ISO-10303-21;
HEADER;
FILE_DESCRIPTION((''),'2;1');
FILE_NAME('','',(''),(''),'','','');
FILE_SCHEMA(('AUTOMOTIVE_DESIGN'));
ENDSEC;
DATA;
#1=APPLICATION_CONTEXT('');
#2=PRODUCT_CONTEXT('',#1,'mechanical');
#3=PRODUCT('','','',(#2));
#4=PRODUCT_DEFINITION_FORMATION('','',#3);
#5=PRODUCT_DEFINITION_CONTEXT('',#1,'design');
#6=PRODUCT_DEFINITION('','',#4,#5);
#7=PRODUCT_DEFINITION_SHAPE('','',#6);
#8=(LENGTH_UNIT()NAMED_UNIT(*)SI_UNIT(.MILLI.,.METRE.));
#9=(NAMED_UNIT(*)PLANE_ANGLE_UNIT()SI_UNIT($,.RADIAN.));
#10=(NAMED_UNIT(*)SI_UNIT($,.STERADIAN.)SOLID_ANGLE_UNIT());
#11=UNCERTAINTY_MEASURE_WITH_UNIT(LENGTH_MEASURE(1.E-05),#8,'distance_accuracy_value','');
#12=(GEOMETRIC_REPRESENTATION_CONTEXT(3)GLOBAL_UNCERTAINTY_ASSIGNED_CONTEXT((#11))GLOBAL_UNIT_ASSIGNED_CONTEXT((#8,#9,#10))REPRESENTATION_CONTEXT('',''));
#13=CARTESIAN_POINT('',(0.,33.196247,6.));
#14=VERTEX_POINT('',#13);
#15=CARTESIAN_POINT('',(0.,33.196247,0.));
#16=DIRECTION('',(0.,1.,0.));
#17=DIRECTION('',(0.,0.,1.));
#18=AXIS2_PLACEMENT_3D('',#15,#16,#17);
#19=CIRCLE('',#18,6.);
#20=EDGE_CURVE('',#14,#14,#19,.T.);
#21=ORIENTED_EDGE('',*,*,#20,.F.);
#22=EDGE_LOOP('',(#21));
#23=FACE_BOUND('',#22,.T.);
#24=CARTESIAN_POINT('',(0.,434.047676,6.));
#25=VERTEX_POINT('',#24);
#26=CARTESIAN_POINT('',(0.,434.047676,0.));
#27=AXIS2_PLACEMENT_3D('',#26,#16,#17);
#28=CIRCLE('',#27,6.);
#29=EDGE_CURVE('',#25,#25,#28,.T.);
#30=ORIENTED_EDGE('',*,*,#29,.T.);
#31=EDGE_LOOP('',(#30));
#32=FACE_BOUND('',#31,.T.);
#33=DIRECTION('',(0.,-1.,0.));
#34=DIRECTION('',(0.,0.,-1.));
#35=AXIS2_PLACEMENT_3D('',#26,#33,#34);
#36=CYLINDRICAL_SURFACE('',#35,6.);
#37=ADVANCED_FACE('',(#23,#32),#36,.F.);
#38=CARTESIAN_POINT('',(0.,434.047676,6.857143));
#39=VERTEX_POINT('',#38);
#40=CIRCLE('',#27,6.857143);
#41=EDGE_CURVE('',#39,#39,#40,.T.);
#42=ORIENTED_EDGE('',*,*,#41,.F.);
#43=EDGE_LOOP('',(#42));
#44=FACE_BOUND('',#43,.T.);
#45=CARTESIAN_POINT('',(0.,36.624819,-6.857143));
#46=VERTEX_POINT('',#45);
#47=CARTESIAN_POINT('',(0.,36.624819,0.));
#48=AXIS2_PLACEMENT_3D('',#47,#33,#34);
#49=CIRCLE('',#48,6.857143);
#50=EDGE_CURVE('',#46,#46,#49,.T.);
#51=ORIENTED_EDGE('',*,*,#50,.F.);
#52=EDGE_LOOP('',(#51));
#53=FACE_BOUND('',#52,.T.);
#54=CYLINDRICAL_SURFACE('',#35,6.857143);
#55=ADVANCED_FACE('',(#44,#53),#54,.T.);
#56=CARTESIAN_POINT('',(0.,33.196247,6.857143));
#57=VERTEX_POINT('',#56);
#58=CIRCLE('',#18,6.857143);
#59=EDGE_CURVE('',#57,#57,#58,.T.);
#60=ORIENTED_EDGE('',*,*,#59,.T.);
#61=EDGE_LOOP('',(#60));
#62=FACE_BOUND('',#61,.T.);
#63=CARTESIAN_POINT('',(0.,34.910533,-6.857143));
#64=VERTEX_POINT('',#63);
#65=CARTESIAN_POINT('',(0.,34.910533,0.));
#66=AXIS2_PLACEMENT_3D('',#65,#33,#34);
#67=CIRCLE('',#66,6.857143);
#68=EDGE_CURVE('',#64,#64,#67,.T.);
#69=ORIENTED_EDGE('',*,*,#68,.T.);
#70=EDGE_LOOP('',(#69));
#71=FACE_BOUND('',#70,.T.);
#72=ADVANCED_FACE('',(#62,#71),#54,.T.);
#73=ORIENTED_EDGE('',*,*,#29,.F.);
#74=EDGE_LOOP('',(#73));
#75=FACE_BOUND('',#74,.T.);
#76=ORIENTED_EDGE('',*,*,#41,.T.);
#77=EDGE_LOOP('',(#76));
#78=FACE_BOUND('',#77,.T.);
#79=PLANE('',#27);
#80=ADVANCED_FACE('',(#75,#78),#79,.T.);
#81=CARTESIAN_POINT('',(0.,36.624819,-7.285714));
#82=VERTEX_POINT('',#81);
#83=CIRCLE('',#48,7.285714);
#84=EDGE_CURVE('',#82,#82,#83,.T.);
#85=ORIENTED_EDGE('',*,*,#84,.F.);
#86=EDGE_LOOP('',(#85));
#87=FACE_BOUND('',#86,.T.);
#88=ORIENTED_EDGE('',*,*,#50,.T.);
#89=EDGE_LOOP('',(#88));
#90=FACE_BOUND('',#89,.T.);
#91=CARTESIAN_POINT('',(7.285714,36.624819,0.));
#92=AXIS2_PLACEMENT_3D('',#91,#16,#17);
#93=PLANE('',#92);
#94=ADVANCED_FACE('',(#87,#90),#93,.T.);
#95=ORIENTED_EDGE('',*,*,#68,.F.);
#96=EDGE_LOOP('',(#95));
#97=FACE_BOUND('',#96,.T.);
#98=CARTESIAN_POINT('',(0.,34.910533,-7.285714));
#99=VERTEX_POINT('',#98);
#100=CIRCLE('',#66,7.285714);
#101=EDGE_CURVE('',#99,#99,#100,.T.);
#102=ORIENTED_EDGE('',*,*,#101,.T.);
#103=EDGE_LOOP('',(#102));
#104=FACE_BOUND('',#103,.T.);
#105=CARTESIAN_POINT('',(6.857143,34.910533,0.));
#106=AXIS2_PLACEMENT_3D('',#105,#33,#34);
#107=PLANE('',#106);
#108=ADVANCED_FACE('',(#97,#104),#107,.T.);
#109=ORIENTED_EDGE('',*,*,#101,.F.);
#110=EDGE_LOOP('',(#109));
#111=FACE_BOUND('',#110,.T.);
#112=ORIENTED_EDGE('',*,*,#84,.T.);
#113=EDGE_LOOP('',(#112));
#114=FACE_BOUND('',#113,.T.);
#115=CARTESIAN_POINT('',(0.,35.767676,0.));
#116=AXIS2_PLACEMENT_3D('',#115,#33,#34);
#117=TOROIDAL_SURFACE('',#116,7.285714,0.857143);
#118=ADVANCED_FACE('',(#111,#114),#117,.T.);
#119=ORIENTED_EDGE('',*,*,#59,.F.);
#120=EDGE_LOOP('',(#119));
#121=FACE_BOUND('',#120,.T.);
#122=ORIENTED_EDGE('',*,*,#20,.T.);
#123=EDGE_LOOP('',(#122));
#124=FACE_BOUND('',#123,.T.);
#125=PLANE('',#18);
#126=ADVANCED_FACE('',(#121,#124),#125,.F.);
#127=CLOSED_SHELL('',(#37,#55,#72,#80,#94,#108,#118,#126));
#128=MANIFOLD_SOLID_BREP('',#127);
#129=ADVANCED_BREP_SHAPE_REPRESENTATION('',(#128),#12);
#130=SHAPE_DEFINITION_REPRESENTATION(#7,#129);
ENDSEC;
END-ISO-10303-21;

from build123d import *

# Parameters (mm, degrees)
SKETCH1_R           = 8
SKETCH1_R_2         = 7
BOSS_EXTRUDE1_DEPTH = 467.66
SCALE1_SCALE        = 0.857142857


with BuildPart() as part:
    # Sketch1 → Boss-Extrude1 (new body)
    with BuildSketch(Plane(origin=(0, 0, 0), x_dir=(1, 0, 0), z_dir=(0, 1, 0))):
        with Locations(Location((0, 0, 0), (0, 0, 270))):
            Circle(SKETCH1_R)
        with Locations(Location((0, 0, 0), (0, 0, 270))):
            Circle(SKETCH1_R_2, mode=Mode.SUBTRACT)
    extrude(amount=BOSS_EXTRUDE1_DEPTH)

    # Sketch2 → Revolve1 (revolve)
    with BuildSketch(Plane.XY, mode=Mode.PRIVATE) as revolve1_sk:
        with BuildLine():
            Line((8, 2), (8.5, 2))
            ThreePointArc((8.5, 2), (9.5, 3), (8.5, 4))
            Line((8.5, 4), (8, 4))
            Line((8, 4), (8, 2))
        make_face()
    revolve(revolve1_sk.sketch.rotate(Axis((0, 0, 0), (0, 1, 0)), 90), axis=Axis((0, 0, 0), (0, 1, 0)))


with BuildPart() as part_1:
    # Scale1: scaled about (0, 232.373730032, 0)
    add(part.part.scale(SCALE1_SCALE).moved(Location((0, 33.196247147, 0))))


solid = part_1.part
